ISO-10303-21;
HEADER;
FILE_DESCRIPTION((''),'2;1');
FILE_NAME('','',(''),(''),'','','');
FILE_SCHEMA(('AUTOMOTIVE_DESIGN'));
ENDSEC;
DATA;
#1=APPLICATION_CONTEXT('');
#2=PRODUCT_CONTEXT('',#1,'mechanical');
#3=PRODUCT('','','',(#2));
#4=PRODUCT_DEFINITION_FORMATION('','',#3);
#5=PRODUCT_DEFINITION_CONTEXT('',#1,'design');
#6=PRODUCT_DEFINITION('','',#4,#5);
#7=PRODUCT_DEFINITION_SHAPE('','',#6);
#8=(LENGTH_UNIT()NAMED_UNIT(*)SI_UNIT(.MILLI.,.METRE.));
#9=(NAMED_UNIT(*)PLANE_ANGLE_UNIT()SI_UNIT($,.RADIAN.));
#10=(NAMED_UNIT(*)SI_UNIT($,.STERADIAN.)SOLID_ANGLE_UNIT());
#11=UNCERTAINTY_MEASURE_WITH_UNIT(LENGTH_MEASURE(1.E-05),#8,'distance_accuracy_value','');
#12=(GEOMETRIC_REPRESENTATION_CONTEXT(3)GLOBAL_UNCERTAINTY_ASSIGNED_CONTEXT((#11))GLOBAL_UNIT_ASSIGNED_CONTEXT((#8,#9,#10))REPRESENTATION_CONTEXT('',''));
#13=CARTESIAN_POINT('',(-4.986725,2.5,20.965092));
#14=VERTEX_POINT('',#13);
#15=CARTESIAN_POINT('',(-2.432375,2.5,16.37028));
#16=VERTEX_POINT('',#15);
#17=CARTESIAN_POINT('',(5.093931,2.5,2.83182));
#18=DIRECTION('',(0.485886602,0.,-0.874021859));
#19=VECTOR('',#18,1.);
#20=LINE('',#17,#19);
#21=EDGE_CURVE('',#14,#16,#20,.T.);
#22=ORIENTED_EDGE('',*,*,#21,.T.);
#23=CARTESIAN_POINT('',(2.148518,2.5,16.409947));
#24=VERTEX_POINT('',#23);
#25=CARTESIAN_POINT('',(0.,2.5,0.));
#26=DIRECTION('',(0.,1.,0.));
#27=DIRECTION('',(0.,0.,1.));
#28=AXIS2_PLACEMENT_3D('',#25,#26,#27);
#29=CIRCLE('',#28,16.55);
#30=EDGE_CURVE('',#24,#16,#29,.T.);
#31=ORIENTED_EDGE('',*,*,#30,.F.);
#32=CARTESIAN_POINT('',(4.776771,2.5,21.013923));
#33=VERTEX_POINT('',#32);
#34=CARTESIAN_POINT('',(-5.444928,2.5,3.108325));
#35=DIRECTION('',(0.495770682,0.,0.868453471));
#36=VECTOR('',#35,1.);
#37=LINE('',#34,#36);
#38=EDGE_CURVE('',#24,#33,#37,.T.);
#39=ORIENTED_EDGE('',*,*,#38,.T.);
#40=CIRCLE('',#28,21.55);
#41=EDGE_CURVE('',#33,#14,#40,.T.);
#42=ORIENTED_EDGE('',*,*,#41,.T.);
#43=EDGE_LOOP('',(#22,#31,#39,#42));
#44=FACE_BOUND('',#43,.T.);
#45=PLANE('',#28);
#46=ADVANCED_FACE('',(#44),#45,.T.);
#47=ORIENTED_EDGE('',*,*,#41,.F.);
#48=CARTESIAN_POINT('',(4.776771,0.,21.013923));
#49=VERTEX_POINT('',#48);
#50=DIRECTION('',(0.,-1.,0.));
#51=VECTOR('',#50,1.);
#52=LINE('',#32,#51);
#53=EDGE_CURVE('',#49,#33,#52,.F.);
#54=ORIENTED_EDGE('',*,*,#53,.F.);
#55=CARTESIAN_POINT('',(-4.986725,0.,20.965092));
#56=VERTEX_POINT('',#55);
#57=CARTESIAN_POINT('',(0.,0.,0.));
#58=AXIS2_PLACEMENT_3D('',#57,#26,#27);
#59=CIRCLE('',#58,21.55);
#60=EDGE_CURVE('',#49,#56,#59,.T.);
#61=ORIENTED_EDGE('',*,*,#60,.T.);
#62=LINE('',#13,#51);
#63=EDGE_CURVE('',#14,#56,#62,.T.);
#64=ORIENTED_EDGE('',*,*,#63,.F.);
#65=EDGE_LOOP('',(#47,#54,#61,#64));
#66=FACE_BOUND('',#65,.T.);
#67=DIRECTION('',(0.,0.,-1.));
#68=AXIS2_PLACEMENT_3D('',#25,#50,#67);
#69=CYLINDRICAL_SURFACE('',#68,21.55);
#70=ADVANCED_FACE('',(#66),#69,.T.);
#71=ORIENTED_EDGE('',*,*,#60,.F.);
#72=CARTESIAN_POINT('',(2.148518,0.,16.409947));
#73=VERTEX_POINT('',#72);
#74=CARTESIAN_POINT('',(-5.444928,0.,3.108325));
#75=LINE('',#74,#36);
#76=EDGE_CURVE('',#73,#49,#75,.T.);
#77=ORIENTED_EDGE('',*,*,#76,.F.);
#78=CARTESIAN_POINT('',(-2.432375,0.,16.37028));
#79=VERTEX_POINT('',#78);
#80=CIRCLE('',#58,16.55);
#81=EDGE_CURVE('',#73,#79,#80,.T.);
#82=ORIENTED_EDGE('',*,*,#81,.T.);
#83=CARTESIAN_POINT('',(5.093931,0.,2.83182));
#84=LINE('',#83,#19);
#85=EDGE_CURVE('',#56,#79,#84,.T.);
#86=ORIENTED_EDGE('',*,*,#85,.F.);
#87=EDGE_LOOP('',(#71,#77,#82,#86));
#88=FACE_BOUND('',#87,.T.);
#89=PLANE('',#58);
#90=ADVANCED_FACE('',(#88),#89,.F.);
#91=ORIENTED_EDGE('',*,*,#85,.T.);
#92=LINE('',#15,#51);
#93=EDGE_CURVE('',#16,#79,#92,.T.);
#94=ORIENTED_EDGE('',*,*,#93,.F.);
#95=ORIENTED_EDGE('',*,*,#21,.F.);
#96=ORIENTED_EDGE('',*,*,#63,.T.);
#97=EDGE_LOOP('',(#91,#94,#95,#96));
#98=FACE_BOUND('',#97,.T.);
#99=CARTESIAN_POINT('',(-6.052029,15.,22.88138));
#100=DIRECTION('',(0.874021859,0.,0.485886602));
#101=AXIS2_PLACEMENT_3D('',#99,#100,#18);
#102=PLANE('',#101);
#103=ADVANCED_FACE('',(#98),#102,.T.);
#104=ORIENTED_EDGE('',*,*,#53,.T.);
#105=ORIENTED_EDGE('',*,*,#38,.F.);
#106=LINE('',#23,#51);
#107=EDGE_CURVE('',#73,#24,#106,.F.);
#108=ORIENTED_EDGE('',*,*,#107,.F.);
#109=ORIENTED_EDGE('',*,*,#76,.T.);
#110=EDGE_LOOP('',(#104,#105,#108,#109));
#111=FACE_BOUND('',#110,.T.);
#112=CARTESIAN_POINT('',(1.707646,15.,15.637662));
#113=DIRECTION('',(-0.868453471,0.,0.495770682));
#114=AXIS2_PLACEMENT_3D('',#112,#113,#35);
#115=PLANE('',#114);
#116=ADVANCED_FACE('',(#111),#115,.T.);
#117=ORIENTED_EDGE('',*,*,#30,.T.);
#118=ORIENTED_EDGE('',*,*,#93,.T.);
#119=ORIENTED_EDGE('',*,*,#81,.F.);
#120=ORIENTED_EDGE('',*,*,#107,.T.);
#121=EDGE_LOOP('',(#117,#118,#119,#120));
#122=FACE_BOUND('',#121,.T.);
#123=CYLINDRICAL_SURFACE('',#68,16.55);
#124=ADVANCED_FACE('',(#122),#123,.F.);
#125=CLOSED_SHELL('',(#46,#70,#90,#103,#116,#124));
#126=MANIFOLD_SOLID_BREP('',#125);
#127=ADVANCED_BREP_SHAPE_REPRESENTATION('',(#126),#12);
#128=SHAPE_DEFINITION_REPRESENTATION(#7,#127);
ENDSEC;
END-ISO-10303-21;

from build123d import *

# Parameters (mm, degrees)
SKETCH1_R               = 21.55
SKETCH1_R_2             = 16.55
BOSS_EXTRUDE1_DEPTH     = 2.5
CUT_EXTRUDE2_DEPTH      = 15
CUT_EXTRUDE2_DEPTH_BACK = 12


with BuildPart() as part:
    # Sketch1 → Boss-Extrude1 (new body)
    with BuildSketch(Plane(origin=(0, 0, 0), x_dir=(1, 0, 0), z_dir=(0, 1, 0))):
        Circle(SKETCH1_R)
        Circle(SKETCH1_R_2, mode=Mode.SUBTRACT)
    extrude(amount=BOSS_EXTRUDE1_DEPTH)

    # Sketch3 → Cut-Extrude2 (cut, two sides)
    with BuildSketch(Plane(origin=(0, 0, 0), x_dir=(1, 0, 0), z_dir=(0, 1, 0))) as cut_extrude2_sk:
        Polygon((-6.052029067, -22.881380435), (5.842839776, -22.881380435), (1.707646095, -15.637661849), (0, -15.637661849), (-2.025097964, -15.637661849), align=None)
    extrude(amount=CUT_EXTRUDE2_DEPTH, mode=Mode.SUBTRACT)
    extrude(cut_extrude2_sk.sketch, amount=-CUT_EXTRUDE2_DEPTH_BACK, mode=Mode.SUBTRACT)


solid = part.part
